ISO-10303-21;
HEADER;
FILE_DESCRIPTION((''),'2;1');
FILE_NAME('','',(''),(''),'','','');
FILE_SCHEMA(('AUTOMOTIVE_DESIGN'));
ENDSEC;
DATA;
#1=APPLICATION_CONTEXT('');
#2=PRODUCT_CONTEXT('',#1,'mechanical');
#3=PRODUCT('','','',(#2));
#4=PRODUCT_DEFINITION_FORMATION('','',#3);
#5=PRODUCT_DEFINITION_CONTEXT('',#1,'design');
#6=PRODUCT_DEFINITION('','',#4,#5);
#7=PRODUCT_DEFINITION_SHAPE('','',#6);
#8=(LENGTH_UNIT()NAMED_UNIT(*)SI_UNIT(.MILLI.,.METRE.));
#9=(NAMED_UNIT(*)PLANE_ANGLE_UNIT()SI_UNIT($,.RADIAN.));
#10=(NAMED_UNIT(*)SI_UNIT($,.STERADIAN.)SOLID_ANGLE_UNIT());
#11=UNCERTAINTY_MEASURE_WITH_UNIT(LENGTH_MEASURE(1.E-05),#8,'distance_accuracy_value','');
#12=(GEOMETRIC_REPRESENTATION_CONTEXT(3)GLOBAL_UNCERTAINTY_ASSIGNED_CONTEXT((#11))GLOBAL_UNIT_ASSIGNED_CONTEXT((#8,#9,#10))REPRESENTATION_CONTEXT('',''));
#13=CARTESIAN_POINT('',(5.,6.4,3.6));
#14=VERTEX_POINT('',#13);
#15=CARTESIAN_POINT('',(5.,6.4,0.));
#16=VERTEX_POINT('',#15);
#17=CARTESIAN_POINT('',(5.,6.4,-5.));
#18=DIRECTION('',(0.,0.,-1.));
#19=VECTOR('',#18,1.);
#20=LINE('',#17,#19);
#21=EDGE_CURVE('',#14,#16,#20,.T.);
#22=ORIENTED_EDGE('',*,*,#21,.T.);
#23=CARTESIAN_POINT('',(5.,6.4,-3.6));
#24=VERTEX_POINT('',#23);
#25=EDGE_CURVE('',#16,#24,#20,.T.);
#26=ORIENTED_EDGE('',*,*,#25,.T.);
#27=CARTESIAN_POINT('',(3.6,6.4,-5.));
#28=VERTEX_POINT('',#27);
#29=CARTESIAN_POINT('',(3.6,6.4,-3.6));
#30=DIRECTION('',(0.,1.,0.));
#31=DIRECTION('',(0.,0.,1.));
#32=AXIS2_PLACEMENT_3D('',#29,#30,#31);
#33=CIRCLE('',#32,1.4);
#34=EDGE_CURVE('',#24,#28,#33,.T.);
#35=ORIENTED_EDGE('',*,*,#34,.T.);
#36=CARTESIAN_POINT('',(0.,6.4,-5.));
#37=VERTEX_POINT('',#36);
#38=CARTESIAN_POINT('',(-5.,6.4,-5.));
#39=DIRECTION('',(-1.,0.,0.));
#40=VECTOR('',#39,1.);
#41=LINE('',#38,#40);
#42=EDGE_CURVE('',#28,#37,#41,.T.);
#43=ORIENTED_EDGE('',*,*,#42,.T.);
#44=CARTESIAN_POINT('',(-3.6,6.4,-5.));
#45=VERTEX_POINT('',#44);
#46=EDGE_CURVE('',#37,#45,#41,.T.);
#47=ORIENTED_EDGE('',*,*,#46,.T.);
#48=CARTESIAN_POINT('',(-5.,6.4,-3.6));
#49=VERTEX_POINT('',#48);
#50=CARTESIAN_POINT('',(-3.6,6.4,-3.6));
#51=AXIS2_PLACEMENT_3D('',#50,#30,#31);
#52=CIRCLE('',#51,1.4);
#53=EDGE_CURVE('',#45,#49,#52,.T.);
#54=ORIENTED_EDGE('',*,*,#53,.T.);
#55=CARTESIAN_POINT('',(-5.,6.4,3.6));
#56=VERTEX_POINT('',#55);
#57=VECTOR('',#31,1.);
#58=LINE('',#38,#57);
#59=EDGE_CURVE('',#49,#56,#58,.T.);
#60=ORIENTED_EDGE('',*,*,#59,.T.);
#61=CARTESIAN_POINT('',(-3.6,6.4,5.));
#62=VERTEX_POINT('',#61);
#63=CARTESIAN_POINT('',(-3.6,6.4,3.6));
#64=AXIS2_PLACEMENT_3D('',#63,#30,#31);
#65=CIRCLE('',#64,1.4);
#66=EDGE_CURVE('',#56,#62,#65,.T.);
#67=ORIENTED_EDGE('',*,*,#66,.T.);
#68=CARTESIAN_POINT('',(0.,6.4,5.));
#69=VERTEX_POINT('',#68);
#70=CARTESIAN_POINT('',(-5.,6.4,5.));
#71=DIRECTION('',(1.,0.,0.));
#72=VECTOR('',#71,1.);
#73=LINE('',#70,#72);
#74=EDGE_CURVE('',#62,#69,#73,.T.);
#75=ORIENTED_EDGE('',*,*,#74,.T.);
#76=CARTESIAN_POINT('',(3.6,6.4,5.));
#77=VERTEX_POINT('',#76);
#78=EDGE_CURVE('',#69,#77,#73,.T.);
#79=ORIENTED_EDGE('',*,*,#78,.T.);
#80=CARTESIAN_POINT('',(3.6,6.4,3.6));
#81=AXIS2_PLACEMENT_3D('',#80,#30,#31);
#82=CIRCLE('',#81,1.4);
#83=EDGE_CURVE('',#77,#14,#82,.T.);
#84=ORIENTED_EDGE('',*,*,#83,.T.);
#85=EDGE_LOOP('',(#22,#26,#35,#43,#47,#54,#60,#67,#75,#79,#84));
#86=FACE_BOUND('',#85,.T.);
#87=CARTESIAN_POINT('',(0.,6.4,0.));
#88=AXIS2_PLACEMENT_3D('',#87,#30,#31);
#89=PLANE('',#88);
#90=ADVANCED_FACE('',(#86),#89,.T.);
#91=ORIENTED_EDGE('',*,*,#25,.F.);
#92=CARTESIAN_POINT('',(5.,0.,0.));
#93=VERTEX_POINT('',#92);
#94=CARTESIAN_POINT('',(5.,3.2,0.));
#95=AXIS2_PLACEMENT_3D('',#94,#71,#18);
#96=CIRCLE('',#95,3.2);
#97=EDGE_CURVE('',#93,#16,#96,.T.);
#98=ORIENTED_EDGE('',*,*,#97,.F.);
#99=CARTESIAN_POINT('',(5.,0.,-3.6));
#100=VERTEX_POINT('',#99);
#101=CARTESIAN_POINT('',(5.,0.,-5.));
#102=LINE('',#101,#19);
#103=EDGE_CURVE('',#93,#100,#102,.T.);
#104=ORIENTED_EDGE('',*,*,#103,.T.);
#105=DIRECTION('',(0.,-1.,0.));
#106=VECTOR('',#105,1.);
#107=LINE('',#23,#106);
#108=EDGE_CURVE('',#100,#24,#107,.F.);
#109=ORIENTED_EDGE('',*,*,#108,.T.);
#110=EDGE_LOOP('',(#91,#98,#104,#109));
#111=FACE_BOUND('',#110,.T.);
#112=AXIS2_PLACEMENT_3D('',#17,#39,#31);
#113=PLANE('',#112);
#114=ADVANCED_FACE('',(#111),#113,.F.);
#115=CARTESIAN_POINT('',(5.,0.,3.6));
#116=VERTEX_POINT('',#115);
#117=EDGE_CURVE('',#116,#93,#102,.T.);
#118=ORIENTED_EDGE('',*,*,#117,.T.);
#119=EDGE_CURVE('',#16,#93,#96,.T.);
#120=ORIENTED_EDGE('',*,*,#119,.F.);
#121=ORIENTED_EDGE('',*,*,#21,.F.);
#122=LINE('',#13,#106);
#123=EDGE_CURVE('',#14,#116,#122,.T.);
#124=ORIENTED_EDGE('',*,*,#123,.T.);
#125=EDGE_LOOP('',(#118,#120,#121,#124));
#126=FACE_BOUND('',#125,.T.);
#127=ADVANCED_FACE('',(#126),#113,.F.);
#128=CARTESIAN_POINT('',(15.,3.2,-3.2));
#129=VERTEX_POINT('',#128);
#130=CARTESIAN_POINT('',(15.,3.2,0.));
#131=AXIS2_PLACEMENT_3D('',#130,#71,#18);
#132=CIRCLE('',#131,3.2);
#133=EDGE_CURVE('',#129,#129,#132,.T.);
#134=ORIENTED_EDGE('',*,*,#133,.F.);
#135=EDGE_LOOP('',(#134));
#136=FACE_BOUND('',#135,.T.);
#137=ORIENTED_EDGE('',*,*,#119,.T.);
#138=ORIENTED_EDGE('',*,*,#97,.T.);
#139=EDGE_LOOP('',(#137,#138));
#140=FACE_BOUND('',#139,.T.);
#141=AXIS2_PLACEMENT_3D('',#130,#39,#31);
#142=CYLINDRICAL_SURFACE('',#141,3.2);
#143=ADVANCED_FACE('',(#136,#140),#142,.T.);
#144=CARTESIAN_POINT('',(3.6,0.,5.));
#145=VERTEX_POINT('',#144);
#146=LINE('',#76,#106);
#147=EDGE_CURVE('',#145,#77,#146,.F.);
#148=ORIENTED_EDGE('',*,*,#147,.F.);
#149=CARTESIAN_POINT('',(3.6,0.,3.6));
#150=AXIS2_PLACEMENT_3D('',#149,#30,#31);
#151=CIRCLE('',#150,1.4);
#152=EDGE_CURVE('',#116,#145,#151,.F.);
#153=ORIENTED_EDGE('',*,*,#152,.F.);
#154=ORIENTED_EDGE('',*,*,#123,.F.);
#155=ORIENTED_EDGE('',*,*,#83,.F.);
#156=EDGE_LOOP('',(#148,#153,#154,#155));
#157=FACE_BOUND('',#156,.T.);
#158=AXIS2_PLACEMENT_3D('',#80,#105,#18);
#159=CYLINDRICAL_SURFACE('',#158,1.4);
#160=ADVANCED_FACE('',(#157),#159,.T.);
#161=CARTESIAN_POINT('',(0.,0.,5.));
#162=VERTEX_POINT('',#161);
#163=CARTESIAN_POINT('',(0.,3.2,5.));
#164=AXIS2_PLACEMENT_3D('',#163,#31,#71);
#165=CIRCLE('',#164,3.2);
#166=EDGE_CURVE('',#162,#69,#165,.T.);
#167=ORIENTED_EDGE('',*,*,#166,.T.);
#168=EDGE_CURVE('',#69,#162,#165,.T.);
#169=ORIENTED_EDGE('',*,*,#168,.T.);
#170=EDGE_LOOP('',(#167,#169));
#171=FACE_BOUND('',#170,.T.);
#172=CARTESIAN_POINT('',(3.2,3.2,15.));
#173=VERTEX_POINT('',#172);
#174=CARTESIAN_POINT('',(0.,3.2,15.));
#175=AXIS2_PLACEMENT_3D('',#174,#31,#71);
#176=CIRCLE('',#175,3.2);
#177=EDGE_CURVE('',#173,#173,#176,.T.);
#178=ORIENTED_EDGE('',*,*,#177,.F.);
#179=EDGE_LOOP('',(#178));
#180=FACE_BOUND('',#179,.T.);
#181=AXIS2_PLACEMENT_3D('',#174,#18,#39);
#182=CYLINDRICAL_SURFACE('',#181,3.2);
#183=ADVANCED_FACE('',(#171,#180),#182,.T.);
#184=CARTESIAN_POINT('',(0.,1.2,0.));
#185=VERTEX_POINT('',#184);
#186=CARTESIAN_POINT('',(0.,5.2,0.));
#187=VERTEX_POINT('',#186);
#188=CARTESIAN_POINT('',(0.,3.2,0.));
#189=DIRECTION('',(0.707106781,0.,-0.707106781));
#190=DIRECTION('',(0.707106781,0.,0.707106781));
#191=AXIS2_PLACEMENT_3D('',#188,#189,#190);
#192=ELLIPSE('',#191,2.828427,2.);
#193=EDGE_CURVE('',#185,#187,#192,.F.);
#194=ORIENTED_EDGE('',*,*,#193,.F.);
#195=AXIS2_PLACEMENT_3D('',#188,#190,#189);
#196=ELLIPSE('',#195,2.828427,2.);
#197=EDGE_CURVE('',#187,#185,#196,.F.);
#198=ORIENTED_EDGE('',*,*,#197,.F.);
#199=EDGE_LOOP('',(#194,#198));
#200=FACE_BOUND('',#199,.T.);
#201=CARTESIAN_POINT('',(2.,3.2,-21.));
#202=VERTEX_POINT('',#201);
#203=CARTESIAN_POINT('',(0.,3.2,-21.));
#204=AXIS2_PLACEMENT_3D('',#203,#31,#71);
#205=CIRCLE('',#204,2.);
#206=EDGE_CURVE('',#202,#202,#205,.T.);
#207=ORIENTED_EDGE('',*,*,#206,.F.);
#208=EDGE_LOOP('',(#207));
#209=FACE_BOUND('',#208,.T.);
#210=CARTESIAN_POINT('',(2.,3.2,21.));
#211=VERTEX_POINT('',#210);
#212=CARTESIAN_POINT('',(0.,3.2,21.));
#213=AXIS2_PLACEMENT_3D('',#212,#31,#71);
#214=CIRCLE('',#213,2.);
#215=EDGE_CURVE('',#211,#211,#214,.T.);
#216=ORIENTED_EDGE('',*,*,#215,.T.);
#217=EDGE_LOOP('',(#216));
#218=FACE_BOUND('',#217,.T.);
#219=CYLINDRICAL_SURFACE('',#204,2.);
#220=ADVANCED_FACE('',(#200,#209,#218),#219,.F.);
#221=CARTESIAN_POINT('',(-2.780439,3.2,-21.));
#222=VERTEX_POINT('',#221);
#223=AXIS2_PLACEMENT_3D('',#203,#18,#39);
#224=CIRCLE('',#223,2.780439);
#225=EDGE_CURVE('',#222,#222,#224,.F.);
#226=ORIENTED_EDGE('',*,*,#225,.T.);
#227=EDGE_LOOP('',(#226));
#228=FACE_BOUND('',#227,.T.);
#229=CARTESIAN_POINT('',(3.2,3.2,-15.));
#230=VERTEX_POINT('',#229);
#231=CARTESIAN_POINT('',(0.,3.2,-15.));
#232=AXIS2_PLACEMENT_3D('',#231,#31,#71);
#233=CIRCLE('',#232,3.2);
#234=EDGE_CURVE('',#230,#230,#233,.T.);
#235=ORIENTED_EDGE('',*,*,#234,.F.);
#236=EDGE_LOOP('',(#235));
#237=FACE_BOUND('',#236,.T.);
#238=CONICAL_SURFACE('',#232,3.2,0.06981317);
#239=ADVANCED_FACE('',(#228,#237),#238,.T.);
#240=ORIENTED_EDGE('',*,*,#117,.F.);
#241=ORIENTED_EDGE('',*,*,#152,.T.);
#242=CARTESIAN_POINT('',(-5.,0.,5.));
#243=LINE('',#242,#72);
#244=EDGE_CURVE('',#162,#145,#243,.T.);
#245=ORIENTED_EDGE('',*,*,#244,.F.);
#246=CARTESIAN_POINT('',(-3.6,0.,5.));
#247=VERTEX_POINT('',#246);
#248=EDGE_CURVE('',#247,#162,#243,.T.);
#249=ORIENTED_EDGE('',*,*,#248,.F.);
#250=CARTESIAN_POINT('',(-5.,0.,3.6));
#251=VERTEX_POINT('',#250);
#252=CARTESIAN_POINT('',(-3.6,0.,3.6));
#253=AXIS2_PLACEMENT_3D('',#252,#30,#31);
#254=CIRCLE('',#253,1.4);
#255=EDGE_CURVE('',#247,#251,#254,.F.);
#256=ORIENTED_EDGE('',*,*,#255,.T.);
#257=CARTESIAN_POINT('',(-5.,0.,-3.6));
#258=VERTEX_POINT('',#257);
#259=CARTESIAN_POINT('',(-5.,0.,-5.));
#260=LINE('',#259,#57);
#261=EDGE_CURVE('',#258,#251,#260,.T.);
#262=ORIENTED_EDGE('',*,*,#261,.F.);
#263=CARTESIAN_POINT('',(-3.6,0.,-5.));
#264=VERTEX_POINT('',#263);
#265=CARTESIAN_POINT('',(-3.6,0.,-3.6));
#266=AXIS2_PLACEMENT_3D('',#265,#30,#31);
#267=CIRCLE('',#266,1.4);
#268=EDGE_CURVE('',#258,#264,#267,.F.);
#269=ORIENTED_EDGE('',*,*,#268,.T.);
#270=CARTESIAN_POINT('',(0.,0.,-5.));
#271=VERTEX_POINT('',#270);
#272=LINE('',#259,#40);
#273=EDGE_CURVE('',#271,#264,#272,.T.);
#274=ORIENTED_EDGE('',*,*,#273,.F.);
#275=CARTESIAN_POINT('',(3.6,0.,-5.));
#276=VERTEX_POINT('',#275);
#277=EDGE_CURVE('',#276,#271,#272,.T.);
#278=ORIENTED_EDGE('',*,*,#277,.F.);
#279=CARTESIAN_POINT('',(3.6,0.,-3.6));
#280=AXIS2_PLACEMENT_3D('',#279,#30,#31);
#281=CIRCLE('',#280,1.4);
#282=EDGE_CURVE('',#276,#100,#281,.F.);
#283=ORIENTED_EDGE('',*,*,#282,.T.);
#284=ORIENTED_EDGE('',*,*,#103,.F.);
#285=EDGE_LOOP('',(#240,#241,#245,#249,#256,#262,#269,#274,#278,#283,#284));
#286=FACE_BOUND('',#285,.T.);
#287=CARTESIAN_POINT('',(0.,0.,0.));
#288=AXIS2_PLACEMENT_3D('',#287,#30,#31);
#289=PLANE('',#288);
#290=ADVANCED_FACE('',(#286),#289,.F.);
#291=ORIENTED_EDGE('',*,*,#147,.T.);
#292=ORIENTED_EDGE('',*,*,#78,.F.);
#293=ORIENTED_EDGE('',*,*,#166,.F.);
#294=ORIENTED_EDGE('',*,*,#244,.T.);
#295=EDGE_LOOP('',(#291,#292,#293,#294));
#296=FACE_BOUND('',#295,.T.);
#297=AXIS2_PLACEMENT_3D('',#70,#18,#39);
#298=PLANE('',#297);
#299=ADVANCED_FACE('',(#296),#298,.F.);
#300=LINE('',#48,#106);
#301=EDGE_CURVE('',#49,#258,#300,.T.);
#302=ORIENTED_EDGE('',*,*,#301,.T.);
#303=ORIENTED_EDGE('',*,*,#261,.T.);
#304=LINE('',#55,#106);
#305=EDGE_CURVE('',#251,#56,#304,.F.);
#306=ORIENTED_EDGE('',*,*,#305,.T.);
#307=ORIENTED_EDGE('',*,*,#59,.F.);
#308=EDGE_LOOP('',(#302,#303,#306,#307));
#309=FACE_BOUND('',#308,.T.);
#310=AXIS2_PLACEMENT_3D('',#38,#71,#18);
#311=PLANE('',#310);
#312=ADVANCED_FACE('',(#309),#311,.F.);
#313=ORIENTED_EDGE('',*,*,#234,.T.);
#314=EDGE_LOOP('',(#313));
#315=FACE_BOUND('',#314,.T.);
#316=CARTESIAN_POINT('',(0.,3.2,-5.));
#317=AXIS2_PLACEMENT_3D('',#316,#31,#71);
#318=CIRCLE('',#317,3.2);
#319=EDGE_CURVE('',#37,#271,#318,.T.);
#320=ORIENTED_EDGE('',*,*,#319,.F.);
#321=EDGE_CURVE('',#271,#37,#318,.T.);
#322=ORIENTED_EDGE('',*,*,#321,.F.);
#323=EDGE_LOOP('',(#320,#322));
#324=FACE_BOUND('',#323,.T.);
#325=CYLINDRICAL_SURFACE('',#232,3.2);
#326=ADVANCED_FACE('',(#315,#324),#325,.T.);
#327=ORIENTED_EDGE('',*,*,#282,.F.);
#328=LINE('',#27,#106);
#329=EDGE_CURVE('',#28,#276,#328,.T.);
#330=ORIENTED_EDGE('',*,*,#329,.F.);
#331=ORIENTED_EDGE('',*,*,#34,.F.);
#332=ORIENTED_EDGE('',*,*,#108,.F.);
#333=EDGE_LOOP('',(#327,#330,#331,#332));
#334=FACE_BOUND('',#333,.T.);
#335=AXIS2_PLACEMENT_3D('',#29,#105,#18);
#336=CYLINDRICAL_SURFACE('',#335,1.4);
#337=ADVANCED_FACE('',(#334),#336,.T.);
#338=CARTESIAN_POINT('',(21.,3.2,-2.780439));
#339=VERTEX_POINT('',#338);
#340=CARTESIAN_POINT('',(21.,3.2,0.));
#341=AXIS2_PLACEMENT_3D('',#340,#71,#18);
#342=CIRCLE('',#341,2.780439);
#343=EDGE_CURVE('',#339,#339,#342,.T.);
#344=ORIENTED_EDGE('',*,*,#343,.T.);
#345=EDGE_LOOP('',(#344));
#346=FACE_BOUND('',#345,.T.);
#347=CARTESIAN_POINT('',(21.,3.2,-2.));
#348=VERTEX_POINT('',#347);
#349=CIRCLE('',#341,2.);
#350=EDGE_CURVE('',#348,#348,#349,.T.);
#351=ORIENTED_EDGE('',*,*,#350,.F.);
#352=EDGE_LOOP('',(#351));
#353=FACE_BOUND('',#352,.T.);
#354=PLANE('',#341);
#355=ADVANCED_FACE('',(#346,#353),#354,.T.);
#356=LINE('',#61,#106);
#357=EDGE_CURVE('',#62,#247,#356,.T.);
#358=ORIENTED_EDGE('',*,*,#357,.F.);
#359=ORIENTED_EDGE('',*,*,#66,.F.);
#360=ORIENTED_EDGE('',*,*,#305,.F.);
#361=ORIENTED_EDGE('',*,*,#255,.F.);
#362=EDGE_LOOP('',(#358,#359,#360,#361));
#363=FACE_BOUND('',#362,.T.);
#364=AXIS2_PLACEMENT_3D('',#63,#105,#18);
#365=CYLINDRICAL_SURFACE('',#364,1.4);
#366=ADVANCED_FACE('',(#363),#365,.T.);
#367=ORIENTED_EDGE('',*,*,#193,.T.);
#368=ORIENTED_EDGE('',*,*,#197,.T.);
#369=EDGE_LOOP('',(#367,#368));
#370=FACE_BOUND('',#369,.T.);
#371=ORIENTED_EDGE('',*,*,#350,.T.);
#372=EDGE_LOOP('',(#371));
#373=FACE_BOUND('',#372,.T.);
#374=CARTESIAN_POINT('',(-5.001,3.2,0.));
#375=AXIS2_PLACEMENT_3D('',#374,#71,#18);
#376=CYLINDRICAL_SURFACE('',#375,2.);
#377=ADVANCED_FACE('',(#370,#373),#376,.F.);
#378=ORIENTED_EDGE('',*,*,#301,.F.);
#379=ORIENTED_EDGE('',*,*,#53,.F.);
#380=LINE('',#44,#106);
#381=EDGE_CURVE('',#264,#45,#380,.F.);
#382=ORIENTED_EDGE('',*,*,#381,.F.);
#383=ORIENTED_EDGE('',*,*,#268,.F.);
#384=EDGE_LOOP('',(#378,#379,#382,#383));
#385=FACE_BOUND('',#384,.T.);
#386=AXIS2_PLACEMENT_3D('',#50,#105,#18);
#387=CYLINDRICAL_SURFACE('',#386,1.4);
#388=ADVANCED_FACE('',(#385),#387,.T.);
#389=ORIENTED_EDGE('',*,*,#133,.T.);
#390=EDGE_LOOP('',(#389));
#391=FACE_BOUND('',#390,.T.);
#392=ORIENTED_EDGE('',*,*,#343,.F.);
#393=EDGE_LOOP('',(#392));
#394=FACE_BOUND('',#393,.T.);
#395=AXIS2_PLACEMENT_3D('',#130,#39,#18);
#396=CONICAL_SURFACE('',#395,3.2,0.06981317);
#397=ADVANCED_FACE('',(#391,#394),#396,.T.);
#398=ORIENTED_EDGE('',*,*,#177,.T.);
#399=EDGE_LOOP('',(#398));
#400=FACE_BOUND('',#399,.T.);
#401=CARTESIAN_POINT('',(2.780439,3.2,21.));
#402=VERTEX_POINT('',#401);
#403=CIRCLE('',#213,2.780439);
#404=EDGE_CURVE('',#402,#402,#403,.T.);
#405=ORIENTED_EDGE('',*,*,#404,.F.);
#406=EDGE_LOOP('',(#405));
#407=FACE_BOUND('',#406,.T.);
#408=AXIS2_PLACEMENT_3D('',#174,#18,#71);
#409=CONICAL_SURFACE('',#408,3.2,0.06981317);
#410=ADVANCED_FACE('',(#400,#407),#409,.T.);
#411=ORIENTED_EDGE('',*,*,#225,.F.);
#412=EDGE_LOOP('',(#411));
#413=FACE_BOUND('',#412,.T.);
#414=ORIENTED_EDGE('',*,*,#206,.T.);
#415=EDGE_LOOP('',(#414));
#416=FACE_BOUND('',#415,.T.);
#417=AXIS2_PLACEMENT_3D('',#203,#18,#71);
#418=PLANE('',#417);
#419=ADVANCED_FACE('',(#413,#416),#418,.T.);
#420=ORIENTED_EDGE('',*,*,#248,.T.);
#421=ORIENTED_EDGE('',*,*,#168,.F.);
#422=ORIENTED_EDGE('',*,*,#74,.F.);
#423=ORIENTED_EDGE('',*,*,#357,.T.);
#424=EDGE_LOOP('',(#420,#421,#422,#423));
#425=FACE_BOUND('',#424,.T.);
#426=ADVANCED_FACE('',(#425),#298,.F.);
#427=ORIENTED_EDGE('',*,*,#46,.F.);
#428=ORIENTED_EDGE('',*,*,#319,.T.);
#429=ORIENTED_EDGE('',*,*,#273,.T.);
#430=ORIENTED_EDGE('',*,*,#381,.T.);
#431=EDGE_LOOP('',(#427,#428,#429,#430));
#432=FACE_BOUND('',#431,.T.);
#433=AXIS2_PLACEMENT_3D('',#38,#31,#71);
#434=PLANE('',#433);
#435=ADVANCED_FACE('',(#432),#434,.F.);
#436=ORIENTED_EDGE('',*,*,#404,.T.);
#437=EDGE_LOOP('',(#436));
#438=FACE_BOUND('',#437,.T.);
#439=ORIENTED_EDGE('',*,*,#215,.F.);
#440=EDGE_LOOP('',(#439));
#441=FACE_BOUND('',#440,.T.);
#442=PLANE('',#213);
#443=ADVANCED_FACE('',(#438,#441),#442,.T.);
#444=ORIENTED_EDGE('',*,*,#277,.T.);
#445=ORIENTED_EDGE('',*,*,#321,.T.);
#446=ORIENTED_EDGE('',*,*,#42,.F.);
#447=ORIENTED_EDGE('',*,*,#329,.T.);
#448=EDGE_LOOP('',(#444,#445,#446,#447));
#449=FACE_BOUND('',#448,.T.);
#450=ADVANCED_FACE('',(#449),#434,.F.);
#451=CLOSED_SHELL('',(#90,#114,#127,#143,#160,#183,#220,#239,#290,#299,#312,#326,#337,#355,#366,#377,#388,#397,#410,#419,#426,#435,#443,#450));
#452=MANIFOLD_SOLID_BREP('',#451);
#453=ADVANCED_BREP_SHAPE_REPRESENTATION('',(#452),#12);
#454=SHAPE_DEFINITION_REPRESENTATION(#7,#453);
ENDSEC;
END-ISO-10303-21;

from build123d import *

# Parameters (mm, degrees)
SKETCH1_W               = 10
SKETCH1_H               = 10
BOSS_EXTRUDE1_DEPTH     = 6.4
SKETCH2_R               = 3.2
BOSS_EXTRUDE2_DEPTH     = 10
SKETCH4_R               = 3.2
BOSS_EXTRUDE3_DEPTH     = 10
SKETCH8_R               = 3.2
BOSS_EXTRUDE4_DEPTH     = 6
BOSS_EXTRUDE4_TAPER     = 4
SKETCH10_R              = 3.2
BOSS_EXTRUDE5_DEPTH     = 6
BOSS_EXTRUDE5_TAPER     = 4
FILLET1_R               = 1.4
SKETCH11_R              = 2
CUT_EXTRUDE5_DEPTH      = 48.391560488
CUT_EXTRUDE6_REACH      = 36.029
CUT_EXTRUDE6_END_RADIUS = 2
SKETCH9_R               = 2


with BuildPart() as part:
    # Sketch1 → Boss-Extrude1 (new body)
    with BuildSketch(Plane(origin=(0, 0, 0), x_dir=(1, 0, 0), z_dir=(0, 1, 0))):
        Rectangle(SKETCH1_W, SKETCH1_H)
    extrude(amount=BOSS_EXTRUDE1_DEPTH)

    # Sketch2 → Boss-Extrude2 (add)
    with BuildSketch(Plane.XY.offset(5)):
        with Locations(Location((0, 3.2, 0), (0, 0, 270))):
            Circle(SKETCH2_R)
    boss_extrude2 = extrude(amount=BOSS_EXTRUDE2_DEPTH)

    # Sketch4 → Boss-Extrude3 (add)
    with BuildSketch(Plane(origin=(5, 0, 0), x_dir=(0, 0, -1), z_dir=(1, 0, 0))):
        with Locations(Location((0, 3.2, 0), (0, 0, 270))):
            Circle(SKETCH4_R)
    extrude(amount=BOSS_EXTRUDE3_DEPTH)

    # Sketch8 → Boss-Extrude4 (add)
    with BuildSketch(Plane(origin=(15, 0, 0), x_dir=(0, 0, -1), z_dir=(1, 0, 0))):
        with Locations(Location((0, 3.2, 0), (0, 0, 270))):
            Circle(SKETCH8_R)
    extrude(amount=BOSS_EXTRUDE4_DEPTH, taper=BOSS_EXTRUDE4_TAPER)

    # Sketch10 → Boss-Extrude5 (add)
    with BuildSketch(Plane.XY.offset(15)):
        with Locations(Location((0, 3.2, 0), (0, 0, 270))):
            Circle(SKETCH10_R)
    boss_extrude5 = extrude(amount=BOSS_EXTRUDE5_DEPTH, taper=BOSS_EXTRUDE5_TAPER)

    # Mirror2: Boss-Extrude2, Boss-Extrude5 across plane
    add(boss_extrude2.mirror(Plane.XY))
    add(boss_extrude5.mirror(Plane.XY))

    # Fillet1
    fillet1_edges = [part.edges().sort_by_distance(p)[0] for p in [
        (-5, 3.2, -5),
        (5, 3.2, -5),
        (5, 3.2, 5),
        (-5, 3.2, 5),
    ]]
    fillet(fillet1_edges, radius=FILLET1_R)

    # Sketch11 → Cut-Extrude5 (cut, through all)
    with BuildSketch(Plane.XY.offset(21)):
        with Locations((0, 3.2)):
            Circle(SKETCH11_R)
    extrude(amount=-CUT_EXTRUDE5_DEPTH, mode=Mode.SUBTRACT)

    # Cut-Extrude6: up to this cylinder (the profile starts outside it)
    cut_extrude6_end = Plane(origin=(0, 3.2, 0), z_dir=(0, 0, 1)) * Cylinder(CUT_EXTRUDE6_END_RADIUS, 77.058, mode=Mode.PRIVATE)
    # Sketch9 → Cut-Extrude6 (cut, up to the surface)
    with BuildSketch(Plane(origin=(21, 0, 0), x_dir=(0, 0, -1), z_dir=(1, 0, 0)), mode=Mode.PRIVATE) as cut_extrude6_sk1:
        with Locations((0, 3.2)):
            Circle(SKETCH9_R)
    cut_extrude6_tool1 = extrude(cut_extrude6_sk1.sketch, amount=-CUT_EXTRUDE6_REACH, mode=Mode.PRIVATE) - cut_extrude6_end
    add(cut_extrude6_tool1.solids().sort_by_distance((21, 3.2, 0))[0], mode=Mode.SUBTRACT)


solid = part.part
